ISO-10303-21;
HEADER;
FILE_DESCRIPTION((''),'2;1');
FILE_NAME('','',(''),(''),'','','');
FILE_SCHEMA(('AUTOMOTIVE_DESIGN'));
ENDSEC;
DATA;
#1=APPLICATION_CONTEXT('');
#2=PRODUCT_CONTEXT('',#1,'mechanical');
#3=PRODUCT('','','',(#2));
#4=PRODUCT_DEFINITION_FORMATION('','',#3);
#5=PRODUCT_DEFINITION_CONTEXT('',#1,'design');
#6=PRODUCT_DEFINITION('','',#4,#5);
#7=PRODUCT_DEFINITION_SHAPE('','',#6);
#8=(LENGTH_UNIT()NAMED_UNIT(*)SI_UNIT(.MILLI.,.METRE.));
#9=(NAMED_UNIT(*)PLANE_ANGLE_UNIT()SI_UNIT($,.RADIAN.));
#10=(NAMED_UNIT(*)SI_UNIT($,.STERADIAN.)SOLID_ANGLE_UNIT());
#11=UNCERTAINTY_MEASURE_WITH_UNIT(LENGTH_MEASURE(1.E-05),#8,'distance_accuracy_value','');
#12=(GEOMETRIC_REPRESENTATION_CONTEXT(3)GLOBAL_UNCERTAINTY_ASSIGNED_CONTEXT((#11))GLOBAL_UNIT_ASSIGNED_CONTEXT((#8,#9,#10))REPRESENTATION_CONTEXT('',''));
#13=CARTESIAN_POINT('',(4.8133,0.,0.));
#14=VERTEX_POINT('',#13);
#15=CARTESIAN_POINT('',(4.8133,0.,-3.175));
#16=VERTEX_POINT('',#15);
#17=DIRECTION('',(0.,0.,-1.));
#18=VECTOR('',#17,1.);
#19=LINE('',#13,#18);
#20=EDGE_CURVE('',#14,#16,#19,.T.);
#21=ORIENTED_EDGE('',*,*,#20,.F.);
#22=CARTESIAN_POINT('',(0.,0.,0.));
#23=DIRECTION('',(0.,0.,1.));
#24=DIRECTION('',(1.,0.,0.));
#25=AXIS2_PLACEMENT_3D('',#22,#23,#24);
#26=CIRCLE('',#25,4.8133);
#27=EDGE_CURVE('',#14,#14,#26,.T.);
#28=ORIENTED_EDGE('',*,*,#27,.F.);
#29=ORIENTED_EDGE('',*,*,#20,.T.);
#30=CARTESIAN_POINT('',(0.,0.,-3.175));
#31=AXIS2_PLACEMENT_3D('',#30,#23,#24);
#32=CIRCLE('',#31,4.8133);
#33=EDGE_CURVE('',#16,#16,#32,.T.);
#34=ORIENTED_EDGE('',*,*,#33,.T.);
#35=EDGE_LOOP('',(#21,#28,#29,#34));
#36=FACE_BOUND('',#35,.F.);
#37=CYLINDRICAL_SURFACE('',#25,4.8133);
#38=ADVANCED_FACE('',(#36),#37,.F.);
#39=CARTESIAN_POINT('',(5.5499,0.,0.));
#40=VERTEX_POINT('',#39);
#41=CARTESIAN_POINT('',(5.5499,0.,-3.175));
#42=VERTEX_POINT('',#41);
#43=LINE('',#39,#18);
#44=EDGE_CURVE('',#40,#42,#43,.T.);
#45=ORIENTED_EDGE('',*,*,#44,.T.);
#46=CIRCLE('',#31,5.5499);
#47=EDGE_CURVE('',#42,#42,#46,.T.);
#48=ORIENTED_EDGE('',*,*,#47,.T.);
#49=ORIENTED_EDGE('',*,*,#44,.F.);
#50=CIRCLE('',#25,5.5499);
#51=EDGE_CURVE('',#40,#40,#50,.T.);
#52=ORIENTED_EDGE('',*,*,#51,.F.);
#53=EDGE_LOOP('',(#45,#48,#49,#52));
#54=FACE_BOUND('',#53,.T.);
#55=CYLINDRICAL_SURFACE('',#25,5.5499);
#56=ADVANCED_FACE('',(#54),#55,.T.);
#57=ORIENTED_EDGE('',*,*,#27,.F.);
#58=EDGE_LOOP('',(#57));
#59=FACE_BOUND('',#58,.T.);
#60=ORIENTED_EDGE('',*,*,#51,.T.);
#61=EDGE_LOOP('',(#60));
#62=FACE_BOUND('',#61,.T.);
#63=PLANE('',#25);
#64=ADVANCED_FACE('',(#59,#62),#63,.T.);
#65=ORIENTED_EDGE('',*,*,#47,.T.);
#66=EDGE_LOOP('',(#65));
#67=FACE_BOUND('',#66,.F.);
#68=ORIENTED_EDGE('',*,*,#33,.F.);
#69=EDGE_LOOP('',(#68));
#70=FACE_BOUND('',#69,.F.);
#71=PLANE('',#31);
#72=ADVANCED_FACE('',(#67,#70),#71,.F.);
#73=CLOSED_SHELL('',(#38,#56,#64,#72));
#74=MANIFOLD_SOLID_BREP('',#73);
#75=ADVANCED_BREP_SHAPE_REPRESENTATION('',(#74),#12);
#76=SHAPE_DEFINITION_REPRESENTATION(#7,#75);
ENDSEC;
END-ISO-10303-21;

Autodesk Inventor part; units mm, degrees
ref_plane "YZ Plane" through (0, 0, 0) normal (1, 0, 0) x (0, 1, 0)
ref_plane "XZ Plane" through (0, 0, 0) normal (0, 1, 0) x (-1, 0, 0)
ref_plane "XY Plane" through (0, 0, 0) normal (0, 0, 1) x (1, 0, 0)
sketch "Sketch1" plane through (0, 0, 0) normal (0, 0, 1) x (1, 0, 0)
  circle A0 centre (0, 0) radius 4.8133
  circle A1 centre (0, 0) radius 5.5499
  dimension "d0" = 9.6266
  dimension "d2" = 11.0998
extrude "Extrusion1" add sketch "Sketch1" against normal blind 3.175
properties part number "DBK_0820Spacer_am-2243 (modified 3)" material "Brass, Soft Yellow"
